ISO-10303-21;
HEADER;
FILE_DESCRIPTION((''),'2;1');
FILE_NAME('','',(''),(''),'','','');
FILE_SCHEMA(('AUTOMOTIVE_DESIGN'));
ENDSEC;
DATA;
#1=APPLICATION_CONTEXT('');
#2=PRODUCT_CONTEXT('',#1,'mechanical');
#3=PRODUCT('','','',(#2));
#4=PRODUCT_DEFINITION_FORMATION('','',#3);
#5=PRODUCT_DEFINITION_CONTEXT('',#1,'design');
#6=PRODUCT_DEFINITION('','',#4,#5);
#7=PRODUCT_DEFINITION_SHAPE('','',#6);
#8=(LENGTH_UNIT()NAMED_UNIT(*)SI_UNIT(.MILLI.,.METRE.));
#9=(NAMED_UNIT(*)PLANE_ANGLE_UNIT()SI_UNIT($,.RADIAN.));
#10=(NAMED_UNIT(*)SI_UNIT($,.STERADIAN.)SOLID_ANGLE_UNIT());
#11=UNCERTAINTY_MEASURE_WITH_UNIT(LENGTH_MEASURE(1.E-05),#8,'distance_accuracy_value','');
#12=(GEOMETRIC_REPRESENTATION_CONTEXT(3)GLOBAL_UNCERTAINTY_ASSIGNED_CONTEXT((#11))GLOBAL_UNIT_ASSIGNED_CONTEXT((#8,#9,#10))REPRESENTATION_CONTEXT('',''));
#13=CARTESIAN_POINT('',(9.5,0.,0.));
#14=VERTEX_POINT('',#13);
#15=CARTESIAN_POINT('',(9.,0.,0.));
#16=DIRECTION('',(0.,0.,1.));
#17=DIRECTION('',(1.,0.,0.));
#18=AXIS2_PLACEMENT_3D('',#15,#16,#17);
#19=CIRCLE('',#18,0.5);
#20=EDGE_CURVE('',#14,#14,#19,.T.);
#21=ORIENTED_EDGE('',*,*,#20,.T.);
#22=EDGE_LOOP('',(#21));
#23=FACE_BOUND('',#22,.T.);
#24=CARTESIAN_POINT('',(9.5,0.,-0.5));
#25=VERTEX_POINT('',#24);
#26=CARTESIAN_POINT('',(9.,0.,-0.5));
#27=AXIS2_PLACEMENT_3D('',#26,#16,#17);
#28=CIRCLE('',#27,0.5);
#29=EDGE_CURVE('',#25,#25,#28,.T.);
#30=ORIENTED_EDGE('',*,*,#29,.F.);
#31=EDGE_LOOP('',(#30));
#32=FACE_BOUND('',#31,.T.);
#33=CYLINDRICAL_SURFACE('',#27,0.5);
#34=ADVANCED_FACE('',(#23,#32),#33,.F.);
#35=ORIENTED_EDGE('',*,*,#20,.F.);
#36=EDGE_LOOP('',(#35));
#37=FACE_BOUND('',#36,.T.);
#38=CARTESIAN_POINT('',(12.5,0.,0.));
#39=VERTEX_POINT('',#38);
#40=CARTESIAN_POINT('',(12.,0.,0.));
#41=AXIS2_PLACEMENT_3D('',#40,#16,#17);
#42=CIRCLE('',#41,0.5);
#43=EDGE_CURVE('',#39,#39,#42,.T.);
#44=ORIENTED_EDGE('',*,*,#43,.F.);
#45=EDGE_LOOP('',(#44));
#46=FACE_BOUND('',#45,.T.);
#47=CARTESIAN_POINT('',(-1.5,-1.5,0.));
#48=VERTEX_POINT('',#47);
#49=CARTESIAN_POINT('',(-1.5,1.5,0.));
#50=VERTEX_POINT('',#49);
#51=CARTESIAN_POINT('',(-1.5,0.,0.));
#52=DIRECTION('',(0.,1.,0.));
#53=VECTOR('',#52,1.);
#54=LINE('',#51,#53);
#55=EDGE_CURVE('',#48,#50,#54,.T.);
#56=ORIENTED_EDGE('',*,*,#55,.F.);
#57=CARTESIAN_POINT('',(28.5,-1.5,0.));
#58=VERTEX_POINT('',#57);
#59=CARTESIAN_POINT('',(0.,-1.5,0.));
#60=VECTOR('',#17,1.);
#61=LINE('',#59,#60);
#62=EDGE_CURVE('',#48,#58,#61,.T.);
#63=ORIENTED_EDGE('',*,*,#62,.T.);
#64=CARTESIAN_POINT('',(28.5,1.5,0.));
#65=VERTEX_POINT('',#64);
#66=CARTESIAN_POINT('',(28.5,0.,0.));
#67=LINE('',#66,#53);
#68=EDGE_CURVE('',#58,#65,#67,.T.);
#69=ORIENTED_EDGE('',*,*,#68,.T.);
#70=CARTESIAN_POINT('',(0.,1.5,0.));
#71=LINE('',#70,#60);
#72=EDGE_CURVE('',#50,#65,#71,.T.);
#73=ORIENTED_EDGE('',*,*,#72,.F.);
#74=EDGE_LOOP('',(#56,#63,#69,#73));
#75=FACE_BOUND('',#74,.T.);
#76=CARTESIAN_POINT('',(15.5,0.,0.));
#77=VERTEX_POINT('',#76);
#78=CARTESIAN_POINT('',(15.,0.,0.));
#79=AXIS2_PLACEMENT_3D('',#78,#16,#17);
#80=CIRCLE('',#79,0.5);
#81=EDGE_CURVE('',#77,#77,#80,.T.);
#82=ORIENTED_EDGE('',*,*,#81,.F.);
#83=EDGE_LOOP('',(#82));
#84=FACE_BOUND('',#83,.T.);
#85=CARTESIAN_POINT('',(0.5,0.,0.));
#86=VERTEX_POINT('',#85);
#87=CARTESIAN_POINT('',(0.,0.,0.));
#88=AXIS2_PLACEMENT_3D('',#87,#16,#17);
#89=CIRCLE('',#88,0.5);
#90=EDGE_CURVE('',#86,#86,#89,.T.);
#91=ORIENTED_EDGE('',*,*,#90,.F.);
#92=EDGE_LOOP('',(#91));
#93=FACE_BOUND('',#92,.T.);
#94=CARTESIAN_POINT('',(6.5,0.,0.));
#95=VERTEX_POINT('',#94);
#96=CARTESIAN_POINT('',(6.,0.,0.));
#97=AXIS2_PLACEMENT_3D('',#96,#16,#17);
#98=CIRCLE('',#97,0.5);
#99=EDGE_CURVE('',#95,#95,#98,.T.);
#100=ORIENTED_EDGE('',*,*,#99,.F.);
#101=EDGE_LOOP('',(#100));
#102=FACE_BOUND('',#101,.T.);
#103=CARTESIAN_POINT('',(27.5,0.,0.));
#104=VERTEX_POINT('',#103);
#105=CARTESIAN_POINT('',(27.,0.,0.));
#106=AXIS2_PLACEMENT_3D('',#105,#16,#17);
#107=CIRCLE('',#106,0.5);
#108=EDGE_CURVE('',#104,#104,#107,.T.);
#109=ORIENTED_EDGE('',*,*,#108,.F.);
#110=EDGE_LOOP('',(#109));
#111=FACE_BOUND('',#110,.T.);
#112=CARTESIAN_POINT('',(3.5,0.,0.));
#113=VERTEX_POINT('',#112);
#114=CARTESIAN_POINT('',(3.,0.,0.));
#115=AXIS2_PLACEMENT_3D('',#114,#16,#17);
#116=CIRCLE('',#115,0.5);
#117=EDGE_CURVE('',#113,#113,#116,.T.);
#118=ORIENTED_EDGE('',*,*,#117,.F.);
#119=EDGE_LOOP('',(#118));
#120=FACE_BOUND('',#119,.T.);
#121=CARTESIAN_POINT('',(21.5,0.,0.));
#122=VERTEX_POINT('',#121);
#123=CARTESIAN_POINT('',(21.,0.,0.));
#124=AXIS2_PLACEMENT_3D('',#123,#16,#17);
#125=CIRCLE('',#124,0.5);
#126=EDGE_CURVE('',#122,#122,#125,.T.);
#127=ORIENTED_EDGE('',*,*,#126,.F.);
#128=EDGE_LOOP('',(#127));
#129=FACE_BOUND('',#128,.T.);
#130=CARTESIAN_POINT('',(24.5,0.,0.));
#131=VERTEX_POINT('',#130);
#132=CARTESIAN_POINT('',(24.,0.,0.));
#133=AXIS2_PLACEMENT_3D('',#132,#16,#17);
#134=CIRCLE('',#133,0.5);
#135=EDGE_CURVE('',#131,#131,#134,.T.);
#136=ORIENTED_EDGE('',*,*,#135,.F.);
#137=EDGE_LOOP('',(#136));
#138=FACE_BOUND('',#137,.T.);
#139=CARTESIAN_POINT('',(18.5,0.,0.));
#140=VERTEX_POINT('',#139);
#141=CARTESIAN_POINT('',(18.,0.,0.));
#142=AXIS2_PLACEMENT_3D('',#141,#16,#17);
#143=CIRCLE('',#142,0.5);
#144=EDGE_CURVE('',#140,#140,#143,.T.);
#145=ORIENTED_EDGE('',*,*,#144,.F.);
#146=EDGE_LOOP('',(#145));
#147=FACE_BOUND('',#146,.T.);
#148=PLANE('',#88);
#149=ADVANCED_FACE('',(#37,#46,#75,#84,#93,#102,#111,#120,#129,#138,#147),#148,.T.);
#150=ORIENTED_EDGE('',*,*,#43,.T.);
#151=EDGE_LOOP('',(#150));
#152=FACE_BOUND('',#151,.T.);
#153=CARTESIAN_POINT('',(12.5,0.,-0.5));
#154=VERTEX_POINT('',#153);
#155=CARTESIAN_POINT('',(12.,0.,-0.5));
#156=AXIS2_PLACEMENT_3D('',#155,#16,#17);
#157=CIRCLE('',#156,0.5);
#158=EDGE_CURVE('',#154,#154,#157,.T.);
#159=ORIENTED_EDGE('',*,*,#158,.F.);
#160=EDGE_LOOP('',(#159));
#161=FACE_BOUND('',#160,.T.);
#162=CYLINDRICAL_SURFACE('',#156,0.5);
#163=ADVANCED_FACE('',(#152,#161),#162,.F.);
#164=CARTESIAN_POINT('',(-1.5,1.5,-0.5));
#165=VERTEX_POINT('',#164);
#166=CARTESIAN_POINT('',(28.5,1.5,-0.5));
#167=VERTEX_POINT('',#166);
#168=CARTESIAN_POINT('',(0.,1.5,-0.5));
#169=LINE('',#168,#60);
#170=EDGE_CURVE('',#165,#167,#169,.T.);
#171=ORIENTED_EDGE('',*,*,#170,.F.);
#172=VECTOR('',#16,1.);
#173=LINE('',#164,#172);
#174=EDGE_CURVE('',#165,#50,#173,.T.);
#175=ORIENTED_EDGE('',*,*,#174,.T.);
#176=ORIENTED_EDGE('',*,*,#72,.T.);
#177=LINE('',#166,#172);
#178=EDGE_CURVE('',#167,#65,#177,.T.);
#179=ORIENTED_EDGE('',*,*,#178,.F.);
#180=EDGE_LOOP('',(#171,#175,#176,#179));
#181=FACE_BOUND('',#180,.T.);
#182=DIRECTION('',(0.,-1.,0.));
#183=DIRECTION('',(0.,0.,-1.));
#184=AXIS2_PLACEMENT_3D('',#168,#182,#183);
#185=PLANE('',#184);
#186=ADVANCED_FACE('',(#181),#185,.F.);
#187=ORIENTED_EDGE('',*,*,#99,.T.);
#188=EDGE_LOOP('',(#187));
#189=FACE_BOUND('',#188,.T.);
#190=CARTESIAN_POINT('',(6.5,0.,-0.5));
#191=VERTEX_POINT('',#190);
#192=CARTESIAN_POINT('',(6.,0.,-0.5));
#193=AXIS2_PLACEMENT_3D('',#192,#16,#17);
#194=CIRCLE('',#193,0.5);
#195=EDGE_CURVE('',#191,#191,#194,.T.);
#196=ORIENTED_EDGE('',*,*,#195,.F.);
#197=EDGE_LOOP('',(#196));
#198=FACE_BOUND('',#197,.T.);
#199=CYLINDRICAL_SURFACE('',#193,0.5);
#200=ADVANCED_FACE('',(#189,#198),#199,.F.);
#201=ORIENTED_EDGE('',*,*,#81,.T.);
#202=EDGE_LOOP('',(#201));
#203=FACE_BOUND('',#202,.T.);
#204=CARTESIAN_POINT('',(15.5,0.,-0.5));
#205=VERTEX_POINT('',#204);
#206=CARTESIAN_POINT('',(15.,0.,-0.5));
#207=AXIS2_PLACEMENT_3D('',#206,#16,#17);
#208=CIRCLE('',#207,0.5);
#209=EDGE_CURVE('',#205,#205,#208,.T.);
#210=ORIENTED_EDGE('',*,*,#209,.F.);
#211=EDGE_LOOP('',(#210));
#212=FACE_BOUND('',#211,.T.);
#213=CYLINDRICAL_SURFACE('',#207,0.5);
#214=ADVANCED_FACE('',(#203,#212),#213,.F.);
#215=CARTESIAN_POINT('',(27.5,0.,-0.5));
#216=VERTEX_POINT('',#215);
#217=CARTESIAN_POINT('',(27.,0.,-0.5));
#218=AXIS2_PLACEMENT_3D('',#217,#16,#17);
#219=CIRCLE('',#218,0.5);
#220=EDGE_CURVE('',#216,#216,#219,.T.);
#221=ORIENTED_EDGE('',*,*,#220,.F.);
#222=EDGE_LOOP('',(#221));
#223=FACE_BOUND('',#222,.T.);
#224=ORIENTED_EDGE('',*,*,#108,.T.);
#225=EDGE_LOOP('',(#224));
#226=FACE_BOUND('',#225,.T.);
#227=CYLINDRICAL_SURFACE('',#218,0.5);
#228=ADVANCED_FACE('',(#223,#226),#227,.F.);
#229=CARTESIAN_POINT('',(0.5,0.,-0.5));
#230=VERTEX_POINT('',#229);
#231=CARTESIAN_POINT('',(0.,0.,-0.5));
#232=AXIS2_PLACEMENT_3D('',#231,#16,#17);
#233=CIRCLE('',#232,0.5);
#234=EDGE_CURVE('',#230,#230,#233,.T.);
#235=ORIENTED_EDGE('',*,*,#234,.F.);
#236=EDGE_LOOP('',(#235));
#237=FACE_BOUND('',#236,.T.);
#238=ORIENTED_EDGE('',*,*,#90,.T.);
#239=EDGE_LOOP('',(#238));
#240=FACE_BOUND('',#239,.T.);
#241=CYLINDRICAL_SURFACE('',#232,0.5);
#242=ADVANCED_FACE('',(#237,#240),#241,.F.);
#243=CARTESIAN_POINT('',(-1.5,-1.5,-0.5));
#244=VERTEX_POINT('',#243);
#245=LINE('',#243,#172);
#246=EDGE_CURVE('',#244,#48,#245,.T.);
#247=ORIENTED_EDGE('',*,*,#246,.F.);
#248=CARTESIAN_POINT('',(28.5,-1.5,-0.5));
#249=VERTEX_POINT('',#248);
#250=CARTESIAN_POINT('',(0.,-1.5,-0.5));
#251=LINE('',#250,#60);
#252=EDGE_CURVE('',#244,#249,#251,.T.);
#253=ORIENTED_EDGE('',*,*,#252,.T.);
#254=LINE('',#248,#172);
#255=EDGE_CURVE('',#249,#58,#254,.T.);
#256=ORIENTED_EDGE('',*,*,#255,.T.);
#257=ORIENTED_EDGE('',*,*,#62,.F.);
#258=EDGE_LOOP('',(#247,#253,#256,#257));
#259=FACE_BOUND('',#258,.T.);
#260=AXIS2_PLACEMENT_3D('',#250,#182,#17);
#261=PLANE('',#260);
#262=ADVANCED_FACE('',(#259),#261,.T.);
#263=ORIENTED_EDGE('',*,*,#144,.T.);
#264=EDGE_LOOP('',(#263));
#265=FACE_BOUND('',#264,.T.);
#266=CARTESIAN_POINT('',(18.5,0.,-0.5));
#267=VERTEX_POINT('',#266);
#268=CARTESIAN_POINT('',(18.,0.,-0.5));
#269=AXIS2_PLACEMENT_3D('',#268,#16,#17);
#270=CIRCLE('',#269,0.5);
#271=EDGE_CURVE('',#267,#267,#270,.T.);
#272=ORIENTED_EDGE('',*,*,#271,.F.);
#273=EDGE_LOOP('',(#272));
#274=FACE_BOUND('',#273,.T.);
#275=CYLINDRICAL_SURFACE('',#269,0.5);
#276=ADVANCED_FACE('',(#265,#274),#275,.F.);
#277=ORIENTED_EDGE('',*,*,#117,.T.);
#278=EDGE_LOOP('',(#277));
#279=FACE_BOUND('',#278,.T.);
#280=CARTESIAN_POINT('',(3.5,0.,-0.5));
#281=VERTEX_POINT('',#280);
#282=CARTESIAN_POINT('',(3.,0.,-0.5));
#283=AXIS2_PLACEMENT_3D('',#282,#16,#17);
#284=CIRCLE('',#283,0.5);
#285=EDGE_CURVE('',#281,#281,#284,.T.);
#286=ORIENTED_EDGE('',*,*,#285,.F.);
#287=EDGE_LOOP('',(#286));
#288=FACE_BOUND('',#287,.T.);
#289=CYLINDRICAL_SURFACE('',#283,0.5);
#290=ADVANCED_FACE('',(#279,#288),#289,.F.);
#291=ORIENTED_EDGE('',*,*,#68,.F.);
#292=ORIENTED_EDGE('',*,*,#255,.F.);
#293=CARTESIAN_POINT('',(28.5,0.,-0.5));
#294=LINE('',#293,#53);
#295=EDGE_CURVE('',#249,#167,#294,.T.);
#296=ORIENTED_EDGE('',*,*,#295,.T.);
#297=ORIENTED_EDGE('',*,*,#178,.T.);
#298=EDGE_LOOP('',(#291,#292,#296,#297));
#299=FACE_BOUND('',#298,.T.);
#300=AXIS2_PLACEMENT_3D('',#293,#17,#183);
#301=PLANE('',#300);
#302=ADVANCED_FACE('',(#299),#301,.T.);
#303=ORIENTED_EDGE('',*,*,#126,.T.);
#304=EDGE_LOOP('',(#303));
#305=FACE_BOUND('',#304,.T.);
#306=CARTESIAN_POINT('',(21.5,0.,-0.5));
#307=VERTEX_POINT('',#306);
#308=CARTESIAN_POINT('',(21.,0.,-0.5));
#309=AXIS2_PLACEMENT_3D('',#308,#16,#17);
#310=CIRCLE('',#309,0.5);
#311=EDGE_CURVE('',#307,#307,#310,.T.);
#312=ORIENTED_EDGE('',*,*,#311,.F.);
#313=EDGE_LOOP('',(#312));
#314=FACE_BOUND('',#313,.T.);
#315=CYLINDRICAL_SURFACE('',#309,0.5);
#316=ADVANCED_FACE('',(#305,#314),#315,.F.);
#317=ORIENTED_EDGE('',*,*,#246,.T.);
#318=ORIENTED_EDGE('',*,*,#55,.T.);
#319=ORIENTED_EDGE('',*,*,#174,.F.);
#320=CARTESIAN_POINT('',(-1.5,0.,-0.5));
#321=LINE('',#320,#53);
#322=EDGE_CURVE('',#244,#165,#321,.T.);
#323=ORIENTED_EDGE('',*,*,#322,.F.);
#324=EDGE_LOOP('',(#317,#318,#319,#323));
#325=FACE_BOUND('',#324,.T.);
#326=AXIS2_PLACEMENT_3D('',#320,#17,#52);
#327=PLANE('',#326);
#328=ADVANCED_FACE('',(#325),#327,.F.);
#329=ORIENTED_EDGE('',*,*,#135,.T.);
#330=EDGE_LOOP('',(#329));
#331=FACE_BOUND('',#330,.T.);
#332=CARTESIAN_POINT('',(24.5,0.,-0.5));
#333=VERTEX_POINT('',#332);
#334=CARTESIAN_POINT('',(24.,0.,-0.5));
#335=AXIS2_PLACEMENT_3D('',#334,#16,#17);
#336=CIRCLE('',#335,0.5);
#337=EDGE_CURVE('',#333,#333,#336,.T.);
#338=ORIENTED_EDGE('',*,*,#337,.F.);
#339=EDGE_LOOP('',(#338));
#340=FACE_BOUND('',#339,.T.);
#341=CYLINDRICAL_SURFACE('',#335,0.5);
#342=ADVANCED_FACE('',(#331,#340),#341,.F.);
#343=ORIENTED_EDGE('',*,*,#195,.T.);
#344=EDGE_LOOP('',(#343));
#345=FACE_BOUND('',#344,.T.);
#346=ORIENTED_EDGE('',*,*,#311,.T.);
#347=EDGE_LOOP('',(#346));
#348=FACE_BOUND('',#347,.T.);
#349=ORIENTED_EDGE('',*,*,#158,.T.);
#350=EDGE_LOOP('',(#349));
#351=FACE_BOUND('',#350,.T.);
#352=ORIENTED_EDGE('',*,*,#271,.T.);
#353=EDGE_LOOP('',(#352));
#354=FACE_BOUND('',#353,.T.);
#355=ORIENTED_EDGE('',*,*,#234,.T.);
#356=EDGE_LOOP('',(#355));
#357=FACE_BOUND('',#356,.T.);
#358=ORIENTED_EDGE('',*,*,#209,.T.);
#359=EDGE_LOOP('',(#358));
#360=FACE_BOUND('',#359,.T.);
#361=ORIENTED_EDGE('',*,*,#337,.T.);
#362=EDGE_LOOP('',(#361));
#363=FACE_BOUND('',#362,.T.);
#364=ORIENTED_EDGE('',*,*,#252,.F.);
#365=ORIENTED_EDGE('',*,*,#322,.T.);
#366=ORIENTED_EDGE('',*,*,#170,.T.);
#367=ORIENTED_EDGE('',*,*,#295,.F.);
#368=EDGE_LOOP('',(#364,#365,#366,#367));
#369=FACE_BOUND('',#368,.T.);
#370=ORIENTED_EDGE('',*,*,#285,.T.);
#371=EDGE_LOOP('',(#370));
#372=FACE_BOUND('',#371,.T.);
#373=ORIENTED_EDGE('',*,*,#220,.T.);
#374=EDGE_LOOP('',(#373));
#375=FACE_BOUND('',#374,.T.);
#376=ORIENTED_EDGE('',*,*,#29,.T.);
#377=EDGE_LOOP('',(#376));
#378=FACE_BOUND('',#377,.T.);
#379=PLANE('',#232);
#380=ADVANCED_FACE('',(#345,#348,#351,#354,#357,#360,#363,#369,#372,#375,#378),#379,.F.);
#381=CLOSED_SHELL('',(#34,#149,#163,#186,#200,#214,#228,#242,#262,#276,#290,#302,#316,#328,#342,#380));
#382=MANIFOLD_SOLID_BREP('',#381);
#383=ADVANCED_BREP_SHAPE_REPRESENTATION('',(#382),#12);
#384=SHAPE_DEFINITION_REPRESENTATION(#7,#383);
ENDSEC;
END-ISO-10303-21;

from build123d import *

# Parameters (mm, degrees)
SKETCH1_W           = 30
SKETCH1_H           = 3
SKETCH1_R           = 0.5
BOSS_EXTRUDE1_DEPTH = 0.5


with BuildPart() as part:
    # Sketch1 → Boss-Extrude1 (new body)
    with BuildSketch(Plane.XY):
        with Locations((13.5, 0)):
            Rectangle(SKETCH1_W, SKETCH1_H)
        Circle(SKETCH1_R, mode=Mode.SUBTRACT)
        with Locations((3, 0)):
            Circle(SKETCH1_R, mode=Mode.SUBTRACT)
        with Locations((6, 0)):
            Circle(SKETCH1_R, mode=Mode.SUBTRACT)
        with Locations((9, 0)):
            Circle(SKETCH1_R, mode=Mode.SUBTRACT)
        with Locations((12, 0)):
            Circle(SKETCH1_R, mode=Mode.SUBTRACT)
        with Locations((15, 0)):
            Circle(SKETCH1_R, mode=Mode.SUBTRACT)
        with Locations((18, 0)):
            Circle(SKETCH1_R, mode=Mode.SUBTRACT)
        with Locations((21, 0)):
            Circle(SKETCH1_R, mode=Mode.SUBTRACT)
        with Locations((24, 0)):
            Circle(SKETCH1_R, mode=Mode.SUBTRACT)
        with Locations((27, 0)):
            Circle(SKETCH1_R, mode=Mode.SUBTRACT)
    extrude(amount=-BOSS_EXTRUDE1_DEPTH)


solid = part.part
